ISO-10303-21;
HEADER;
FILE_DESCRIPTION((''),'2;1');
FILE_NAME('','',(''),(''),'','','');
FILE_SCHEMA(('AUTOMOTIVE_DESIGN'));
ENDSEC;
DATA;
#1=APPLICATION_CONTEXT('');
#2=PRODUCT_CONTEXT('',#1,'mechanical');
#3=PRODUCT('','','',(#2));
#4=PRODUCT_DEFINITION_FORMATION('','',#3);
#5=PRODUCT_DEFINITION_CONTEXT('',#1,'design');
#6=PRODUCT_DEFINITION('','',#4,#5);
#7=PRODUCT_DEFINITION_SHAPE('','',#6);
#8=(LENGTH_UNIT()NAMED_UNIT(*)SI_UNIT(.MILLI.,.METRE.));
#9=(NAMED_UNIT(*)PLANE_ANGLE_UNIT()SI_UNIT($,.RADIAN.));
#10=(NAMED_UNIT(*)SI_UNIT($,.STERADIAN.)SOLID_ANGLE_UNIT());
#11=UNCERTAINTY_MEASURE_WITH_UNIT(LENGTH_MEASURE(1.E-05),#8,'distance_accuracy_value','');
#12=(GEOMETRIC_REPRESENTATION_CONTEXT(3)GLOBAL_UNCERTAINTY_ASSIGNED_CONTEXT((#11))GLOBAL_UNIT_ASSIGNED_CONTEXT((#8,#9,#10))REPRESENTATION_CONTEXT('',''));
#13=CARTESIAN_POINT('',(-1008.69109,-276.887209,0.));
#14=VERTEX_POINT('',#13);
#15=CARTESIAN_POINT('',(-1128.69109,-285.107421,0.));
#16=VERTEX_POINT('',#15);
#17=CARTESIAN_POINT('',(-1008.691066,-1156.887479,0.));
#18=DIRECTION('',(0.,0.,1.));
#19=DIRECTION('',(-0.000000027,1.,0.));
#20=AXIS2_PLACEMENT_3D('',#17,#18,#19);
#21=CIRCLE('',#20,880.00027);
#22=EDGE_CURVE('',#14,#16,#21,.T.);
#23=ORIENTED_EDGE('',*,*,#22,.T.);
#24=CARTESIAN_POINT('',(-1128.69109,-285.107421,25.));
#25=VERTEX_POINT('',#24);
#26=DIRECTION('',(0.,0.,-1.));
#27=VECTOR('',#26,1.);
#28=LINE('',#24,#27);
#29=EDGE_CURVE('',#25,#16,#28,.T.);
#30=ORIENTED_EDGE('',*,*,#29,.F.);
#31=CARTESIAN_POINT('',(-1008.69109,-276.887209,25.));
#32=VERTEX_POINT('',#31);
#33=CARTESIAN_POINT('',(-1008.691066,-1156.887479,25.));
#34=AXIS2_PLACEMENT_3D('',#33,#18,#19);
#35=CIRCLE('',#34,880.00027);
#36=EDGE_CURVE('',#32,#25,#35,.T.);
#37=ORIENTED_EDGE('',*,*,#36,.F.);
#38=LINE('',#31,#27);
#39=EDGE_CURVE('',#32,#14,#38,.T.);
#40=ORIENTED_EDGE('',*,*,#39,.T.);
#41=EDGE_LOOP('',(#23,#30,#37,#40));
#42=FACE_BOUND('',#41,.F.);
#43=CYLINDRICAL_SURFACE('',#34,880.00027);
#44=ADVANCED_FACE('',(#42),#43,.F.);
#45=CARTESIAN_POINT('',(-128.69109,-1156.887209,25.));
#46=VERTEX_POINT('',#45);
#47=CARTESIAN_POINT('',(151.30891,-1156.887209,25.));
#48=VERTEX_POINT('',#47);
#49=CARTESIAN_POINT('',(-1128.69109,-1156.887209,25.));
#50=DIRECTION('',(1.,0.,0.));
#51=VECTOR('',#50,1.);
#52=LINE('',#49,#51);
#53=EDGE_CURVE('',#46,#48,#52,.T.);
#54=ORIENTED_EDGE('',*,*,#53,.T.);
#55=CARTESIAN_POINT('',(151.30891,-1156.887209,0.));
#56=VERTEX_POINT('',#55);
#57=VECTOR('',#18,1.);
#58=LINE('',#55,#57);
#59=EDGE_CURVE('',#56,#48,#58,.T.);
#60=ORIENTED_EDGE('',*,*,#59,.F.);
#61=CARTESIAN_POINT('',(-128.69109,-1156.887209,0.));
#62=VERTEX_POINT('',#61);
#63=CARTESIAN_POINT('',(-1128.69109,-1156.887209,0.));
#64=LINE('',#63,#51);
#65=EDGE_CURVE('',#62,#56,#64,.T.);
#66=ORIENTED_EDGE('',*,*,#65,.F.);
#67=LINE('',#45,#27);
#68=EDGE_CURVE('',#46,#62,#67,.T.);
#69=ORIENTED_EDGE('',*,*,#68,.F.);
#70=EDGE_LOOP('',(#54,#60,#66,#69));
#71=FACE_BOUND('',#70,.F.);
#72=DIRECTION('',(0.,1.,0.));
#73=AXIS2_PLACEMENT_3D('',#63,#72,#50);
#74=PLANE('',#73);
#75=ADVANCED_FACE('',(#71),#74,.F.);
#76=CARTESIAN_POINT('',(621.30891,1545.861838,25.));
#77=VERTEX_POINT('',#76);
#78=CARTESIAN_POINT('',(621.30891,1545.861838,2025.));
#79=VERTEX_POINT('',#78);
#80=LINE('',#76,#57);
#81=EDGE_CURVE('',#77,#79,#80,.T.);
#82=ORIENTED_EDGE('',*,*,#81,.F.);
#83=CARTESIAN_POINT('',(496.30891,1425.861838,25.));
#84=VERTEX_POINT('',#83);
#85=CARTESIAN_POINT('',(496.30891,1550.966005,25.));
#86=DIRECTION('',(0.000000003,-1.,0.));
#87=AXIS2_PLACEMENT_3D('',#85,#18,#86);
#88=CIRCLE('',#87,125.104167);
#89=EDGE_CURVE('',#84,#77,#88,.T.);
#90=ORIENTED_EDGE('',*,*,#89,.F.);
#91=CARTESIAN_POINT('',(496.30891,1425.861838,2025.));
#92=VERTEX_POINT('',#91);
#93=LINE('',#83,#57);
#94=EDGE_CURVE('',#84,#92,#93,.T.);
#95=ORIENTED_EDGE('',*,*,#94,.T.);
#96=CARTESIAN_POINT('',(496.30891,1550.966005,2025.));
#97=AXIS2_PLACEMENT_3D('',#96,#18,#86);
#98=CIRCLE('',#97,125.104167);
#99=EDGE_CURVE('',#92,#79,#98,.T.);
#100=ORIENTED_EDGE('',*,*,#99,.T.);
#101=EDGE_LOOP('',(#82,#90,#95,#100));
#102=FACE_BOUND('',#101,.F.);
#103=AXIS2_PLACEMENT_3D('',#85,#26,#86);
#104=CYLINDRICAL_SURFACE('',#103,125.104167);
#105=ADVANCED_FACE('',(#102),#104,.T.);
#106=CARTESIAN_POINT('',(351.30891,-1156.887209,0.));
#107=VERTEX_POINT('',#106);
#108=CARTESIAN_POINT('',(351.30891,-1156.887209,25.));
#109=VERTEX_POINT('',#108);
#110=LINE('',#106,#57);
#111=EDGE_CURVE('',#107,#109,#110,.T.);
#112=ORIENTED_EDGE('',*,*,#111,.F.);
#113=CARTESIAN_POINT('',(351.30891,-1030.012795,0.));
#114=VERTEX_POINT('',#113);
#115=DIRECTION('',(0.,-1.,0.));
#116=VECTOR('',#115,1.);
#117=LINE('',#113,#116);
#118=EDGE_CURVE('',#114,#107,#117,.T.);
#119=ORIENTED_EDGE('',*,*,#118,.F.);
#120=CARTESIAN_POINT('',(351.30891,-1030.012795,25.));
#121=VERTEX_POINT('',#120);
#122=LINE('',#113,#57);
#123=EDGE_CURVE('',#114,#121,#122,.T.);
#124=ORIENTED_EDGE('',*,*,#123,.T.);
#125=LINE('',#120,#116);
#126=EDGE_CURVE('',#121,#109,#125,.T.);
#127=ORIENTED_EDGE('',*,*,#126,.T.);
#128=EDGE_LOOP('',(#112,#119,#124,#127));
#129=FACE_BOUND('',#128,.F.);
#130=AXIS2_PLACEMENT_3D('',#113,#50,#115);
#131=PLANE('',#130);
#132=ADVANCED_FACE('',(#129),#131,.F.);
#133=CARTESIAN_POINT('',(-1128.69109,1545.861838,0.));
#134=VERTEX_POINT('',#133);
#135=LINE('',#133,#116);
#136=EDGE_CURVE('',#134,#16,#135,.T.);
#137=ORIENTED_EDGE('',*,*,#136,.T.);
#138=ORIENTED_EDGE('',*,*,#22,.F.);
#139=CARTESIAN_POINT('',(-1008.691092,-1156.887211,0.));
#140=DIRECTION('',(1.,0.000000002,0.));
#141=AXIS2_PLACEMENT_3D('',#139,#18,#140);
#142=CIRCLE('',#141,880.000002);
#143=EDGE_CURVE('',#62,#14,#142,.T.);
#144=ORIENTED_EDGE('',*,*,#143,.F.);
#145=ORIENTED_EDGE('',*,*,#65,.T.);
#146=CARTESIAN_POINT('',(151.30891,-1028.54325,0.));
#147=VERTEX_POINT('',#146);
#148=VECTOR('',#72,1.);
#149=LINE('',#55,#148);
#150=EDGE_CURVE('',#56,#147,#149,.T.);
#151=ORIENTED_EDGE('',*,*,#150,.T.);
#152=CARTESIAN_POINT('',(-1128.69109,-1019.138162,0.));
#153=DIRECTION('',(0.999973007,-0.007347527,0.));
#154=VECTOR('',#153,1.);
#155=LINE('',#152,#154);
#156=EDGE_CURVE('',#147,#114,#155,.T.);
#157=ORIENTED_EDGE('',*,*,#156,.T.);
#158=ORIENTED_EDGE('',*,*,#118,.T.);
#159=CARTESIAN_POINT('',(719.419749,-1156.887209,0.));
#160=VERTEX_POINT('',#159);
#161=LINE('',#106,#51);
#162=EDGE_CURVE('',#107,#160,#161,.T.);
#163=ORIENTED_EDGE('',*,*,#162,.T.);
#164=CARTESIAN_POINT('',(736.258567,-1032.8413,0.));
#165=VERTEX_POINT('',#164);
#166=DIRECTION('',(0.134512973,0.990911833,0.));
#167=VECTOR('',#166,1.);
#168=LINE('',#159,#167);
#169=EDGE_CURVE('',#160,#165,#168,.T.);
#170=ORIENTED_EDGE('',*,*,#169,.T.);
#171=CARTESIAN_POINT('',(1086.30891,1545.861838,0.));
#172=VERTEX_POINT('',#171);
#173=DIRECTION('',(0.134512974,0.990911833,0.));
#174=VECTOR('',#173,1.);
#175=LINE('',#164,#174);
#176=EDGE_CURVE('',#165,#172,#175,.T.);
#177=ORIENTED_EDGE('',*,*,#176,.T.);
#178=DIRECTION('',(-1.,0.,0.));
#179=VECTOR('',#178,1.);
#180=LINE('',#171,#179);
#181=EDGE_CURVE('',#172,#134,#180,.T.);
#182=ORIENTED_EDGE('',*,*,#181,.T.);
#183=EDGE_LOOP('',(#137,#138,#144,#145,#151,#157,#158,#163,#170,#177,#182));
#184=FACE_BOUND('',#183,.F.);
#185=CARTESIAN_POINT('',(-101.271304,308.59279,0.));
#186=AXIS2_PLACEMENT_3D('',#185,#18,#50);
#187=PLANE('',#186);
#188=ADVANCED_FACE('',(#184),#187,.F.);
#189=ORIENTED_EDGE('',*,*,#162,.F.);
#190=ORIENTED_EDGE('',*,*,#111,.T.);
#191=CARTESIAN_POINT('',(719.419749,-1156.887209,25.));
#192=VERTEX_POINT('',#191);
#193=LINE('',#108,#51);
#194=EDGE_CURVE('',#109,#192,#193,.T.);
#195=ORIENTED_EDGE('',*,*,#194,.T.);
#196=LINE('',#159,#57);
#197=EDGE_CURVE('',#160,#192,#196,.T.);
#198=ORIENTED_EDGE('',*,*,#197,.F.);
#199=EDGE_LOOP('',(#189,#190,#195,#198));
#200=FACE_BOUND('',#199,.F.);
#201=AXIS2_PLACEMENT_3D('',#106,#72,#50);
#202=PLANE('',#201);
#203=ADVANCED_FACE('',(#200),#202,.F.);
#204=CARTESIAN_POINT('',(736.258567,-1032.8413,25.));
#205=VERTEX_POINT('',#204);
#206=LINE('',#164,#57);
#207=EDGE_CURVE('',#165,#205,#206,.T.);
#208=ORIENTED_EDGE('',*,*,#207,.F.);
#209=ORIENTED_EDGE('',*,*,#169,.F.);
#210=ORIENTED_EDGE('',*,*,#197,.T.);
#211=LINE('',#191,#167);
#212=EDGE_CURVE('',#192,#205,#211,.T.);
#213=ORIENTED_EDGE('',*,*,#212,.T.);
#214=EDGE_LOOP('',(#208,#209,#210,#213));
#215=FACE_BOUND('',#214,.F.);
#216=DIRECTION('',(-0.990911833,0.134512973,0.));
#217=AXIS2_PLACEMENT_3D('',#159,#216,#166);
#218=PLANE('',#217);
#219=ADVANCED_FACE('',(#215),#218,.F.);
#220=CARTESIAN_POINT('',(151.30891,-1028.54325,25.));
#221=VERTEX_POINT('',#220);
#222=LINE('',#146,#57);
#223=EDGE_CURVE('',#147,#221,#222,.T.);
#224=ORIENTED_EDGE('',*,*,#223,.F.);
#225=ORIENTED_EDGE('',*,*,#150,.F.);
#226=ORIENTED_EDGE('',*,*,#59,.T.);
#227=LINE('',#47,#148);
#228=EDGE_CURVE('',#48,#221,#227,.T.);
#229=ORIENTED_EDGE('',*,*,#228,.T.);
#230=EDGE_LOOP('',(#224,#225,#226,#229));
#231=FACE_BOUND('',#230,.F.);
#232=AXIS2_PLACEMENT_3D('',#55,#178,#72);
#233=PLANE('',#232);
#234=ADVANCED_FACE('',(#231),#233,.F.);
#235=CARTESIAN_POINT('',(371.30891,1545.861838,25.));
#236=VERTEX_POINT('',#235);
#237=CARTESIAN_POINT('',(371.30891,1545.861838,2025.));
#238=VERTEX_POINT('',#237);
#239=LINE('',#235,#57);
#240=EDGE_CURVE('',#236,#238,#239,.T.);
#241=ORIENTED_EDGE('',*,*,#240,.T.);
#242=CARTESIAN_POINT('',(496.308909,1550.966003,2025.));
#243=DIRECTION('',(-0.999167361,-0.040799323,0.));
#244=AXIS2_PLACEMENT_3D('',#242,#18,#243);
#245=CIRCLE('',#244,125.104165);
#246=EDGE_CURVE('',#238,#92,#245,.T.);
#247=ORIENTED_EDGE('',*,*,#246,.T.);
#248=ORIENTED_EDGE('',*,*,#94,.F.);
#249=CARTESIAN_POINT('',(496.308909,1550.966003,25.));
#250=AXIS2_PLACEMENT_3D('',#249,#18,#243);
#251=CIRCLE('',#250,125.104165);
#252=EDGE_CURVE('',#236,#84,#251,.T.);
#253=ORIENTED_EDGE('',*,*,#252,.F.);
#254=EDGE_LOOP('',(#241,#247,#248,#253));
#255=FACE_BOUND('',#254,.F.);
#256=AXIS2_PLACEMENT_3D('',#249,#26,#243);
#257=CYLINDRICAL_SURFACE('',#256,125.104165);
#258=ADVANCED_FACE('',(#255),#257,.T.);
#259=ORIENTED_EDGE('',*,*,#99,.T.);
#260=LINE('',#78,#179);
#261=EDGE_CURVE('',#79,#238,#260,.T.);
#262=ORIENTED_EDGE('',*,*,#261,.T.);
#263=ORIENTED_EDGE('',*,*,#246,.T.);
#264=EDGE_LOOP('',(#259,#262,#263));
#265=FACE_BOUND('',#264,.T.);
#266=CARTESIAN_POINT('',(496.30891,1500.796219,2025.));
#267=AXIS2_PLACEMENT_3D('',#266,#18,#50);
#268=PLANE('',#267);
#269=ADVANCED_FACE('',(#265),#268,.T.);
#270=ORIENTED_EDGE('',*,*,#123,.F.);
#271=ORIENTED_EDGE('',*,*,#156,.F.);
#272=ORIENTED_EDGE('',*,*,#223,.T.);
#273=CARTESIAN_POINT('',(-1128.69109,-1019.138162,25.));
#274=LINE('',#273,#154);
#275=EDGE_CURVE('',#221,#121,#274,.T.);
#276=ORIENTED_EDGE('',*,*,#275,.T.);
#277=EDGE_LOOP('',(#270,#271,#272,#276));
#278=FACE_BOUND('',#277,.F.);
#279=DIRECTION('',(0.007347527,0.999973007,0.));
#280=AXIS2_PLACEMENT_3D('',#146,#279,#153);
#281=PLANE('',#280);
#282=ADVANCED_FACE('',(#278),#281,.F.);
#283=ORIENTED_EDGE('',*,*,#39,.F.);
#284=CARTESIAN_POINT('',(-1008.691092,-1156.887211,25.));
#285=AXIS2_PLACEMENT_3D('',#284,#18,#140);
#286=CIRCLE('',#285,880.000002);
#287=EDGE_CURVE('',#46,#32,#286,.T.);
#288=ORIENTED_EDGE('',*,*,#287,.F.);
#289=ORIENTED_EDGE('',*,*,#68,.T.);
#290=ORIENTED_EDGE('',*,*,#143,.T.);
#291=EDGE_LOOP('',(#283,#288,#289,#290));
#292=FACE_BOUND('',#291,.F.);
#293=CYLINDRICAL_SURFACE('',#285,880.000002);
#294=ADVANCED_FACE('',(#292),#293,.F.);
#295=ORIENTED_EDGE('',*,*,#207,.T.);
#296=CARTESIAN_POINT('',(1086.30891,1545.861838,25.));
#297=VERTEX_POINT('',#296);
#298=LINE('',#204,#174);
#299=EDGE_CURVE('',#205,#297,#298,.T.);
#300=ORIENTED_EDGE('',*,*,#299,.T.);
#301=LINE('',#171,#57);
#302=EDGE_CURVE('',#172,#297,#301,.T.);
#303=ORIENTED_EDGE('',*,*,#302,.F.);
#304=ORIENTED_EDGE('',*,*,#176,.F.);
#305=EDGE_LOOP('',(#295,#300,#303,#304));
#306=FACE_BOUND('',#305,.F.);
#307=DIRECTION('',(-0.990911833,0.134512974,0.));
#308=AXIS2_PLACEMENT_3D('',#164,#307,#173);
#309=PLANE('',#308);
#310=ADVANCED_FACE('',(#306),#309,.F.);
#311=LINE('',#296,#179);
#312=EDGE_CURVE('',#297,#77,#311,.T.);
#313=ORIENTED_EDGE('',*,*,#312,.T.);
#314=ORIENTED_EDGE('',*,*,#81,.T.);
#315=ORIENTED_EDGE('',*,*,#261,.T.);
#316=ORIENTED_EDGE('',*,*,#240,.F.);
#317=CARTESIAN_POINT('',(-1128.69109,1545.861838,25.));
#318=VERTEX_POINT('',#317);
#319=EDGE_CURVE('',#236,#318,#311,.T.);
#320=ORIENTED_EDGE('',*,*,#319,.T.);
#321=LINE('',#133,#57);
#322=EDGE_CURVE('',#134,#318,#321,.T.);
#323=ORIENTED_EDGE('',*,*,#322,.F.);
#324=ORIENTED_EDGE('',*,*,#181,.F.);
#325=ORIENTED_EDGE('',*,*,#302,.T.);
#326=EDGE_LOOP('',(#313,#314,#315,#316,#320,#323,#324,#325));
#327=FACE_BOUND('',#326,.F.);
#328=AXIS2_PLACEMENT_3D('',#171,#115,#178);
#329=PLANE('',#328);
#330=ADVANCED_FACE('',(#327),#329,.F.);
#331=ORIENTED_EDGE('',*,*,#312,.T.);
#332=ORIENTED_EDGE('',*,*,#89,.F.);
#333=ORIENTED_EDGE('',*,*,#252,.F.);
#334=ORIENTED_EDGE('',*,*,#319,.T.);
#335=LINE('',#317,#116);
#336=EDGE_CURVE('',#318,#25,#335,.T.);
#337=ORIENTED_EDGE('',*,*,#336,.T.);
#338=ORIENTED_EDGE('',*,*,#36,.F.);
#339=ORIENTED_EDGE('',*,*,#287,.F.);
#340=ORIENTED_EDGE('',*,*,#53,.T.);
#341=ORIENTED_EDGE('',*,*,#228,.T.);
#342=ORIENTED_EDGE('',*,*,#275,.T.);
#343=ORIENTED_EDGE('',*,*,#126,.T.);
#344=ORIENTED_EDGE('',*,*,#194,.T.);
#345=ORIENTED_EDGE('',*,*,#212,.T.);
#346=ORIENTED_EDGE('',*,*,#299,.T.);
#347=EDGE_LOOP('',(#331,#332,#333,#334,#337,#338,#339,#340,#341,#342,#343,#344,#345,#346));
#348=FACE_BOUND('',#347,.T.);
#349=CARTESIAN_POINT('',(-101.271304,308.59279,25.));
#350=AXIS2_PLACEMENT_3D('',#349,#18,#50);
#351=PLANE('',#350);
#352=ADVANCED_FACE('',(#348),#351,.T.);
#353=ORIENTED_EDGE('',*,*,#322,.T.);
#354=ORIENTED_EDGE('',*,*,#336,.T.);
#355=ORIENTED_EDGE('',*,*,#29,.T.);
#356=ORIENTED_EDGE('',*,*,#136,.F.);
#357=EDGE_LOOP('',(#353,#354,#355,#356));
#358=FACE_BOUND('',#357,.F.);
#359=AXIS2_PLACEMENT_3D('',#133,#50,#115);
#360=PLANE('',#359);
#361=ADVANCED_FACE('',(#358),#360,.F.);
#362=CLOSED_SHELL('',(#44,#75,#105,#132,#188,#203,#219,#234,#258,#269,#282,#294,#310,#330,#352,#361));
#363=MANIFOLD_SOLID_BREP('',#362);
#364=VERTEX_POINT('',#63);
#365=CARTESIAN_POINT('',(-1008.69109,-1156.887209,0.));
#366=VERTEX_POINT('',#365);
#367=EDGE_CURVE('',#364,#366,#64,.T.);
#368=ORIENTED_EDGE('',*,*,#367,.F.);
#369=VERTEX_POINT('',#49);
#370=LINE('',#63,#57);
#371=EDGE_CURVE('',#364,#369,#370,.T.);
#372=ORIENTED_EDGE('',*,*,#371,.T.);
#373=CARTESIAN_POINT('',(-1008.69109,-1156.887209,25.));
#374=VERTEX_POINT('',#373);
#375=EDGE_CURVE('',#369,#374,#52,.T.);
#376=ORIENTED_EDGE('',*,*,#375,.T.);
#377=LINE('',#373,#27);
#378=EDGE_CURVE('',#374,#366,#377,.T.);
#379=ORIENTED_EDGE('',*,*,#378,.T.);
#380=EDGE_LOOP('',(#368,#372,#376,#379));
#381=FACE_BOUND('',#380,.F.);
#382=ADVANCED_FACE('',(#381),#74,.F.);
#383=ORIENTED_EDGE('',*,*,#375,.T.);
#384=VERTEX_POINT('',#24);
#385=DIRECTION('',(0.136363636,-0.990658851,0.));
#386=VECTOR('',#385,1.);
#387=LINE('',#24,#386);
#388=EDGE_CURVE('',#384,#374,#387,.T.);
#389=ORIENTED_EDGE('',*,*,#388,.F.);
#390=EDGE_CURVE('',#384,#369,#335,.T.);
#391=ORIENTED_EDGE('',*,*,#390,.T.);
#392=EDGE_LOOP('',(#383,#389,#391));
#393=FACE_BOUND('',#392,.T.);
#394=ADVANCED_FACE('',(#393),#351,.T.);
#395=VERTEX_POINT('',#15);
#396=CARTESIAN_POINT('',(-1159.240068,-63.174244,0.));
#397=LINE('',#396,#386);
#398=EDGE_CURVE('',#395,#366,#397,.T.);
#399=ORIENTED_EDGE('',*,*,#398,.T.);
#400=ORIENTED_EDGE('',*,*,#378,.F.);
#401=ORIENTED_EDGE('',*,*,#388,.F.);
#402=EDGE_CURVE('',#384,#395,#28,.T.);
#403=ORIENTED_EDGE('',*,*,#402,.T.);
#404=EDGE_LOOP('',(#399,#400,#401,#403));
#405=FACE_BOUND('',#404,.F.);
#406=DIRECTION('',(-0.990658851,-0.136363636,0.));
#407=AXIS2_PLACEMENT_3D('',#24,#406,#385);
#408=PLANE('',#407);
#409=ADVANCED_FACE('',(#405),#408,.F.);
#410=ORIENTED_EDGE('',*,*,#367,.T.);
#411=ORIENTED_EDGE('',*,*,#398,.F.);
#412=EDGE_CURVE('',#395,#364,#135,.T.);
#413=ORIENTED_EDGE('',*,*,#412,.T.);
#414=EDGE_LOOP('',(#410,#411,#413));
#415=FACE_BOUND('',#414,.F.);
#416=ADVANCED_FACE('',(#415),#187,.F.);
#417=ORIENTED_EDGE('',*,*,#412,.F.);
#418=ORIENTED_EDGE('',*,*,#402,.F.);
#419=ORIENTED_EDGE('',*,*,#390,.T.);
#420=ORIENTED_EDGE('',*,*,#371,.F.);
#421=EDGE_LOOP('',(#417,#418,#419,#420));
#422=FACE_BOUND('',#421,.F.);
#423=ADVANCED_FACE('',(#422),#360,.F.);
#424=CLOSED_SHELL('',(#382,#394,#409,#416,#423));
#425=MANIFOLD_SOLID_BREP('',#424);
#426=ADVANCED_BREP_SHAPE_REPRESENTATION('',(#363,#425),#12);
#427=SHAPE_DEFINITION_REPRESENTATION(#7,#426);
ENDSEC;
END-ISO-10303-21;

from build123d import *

# Parameters (mm, degrees)
F1_DEPTH = 25
F3_DEPTH = 25.001
F5_DEPTH = 2000


with BuildPart() as f1:
    # F0 (on Top) → F1 (new body)
    with BuildSketch(Plane.XY):
        Polygon((-1128.69109, 1545.861838), (-1128.69109, -1019.138162), (151.30891, -1028.54325), (351.30891, -1030.012795), (736.258567, -1032.8413), (1086.30891, 1545.861838), align=None)
        Polygon((151.30891, -1028.54325), (-1128.69109, -1019.138162), (-1128.69109, -1156.887209), (151.30891, -1156.887209), align=None)
        Polygon((736.258567, -1032.8413), (351.30891, -1030.012795), (351.30891, -1156.887209), (719.419749, -1156.887209), align=None)
    extrude(amount=F1_DEPTH)

    # F2 (on face) → F3 (cut, through all)
    with BuildSketch(Plane.XY.offset(25)):
        with BuildLine():
            Line((-1008.69109, -276.887209), (-1008.69109, -1156.887209))
            Line((-1008.69109, -1156.887209), (-128.69109, -1156.887209))
            ThreePointArc((-128.69109, -1156.887209), (-386.437123, -534.633242), (-1008.69109, -276.887209))
        make_face()
        with BuildLine():
            Line((-1128.69109, -285.107421), (-1008.69109, -1156.887209))
            Line((-1008.69109, -1156.887209), (-1008.69109, -276.887209))
            ThreePointArc((-1008.69109, -276.887209), (-1068.8317, -278.944668), (-1128.69109, -285.107421))
        make_face()
    extrude(amount=-F3_DEPTH, mode=Mode.SUBTRACT)

    # F4 (on face) → F5 (join)
    with BuildSketch(Plane.XY.offset(25)):
        with BuildLine():
            Line((621.30891, 1545.861838), (371.30891, 1545.861838))
            ThreePointArc((371.30891, 1545.861838), (409.670292, 1460.717445), (496.30891, 1425.861838))
            ThreePointArc((496.30891, 1425.861838), (582.947527, 1460.717445), (621.30891, 1545.861838))
        make_face()
    extrude(amount=F5_DEPTH)


solid = f1.part
